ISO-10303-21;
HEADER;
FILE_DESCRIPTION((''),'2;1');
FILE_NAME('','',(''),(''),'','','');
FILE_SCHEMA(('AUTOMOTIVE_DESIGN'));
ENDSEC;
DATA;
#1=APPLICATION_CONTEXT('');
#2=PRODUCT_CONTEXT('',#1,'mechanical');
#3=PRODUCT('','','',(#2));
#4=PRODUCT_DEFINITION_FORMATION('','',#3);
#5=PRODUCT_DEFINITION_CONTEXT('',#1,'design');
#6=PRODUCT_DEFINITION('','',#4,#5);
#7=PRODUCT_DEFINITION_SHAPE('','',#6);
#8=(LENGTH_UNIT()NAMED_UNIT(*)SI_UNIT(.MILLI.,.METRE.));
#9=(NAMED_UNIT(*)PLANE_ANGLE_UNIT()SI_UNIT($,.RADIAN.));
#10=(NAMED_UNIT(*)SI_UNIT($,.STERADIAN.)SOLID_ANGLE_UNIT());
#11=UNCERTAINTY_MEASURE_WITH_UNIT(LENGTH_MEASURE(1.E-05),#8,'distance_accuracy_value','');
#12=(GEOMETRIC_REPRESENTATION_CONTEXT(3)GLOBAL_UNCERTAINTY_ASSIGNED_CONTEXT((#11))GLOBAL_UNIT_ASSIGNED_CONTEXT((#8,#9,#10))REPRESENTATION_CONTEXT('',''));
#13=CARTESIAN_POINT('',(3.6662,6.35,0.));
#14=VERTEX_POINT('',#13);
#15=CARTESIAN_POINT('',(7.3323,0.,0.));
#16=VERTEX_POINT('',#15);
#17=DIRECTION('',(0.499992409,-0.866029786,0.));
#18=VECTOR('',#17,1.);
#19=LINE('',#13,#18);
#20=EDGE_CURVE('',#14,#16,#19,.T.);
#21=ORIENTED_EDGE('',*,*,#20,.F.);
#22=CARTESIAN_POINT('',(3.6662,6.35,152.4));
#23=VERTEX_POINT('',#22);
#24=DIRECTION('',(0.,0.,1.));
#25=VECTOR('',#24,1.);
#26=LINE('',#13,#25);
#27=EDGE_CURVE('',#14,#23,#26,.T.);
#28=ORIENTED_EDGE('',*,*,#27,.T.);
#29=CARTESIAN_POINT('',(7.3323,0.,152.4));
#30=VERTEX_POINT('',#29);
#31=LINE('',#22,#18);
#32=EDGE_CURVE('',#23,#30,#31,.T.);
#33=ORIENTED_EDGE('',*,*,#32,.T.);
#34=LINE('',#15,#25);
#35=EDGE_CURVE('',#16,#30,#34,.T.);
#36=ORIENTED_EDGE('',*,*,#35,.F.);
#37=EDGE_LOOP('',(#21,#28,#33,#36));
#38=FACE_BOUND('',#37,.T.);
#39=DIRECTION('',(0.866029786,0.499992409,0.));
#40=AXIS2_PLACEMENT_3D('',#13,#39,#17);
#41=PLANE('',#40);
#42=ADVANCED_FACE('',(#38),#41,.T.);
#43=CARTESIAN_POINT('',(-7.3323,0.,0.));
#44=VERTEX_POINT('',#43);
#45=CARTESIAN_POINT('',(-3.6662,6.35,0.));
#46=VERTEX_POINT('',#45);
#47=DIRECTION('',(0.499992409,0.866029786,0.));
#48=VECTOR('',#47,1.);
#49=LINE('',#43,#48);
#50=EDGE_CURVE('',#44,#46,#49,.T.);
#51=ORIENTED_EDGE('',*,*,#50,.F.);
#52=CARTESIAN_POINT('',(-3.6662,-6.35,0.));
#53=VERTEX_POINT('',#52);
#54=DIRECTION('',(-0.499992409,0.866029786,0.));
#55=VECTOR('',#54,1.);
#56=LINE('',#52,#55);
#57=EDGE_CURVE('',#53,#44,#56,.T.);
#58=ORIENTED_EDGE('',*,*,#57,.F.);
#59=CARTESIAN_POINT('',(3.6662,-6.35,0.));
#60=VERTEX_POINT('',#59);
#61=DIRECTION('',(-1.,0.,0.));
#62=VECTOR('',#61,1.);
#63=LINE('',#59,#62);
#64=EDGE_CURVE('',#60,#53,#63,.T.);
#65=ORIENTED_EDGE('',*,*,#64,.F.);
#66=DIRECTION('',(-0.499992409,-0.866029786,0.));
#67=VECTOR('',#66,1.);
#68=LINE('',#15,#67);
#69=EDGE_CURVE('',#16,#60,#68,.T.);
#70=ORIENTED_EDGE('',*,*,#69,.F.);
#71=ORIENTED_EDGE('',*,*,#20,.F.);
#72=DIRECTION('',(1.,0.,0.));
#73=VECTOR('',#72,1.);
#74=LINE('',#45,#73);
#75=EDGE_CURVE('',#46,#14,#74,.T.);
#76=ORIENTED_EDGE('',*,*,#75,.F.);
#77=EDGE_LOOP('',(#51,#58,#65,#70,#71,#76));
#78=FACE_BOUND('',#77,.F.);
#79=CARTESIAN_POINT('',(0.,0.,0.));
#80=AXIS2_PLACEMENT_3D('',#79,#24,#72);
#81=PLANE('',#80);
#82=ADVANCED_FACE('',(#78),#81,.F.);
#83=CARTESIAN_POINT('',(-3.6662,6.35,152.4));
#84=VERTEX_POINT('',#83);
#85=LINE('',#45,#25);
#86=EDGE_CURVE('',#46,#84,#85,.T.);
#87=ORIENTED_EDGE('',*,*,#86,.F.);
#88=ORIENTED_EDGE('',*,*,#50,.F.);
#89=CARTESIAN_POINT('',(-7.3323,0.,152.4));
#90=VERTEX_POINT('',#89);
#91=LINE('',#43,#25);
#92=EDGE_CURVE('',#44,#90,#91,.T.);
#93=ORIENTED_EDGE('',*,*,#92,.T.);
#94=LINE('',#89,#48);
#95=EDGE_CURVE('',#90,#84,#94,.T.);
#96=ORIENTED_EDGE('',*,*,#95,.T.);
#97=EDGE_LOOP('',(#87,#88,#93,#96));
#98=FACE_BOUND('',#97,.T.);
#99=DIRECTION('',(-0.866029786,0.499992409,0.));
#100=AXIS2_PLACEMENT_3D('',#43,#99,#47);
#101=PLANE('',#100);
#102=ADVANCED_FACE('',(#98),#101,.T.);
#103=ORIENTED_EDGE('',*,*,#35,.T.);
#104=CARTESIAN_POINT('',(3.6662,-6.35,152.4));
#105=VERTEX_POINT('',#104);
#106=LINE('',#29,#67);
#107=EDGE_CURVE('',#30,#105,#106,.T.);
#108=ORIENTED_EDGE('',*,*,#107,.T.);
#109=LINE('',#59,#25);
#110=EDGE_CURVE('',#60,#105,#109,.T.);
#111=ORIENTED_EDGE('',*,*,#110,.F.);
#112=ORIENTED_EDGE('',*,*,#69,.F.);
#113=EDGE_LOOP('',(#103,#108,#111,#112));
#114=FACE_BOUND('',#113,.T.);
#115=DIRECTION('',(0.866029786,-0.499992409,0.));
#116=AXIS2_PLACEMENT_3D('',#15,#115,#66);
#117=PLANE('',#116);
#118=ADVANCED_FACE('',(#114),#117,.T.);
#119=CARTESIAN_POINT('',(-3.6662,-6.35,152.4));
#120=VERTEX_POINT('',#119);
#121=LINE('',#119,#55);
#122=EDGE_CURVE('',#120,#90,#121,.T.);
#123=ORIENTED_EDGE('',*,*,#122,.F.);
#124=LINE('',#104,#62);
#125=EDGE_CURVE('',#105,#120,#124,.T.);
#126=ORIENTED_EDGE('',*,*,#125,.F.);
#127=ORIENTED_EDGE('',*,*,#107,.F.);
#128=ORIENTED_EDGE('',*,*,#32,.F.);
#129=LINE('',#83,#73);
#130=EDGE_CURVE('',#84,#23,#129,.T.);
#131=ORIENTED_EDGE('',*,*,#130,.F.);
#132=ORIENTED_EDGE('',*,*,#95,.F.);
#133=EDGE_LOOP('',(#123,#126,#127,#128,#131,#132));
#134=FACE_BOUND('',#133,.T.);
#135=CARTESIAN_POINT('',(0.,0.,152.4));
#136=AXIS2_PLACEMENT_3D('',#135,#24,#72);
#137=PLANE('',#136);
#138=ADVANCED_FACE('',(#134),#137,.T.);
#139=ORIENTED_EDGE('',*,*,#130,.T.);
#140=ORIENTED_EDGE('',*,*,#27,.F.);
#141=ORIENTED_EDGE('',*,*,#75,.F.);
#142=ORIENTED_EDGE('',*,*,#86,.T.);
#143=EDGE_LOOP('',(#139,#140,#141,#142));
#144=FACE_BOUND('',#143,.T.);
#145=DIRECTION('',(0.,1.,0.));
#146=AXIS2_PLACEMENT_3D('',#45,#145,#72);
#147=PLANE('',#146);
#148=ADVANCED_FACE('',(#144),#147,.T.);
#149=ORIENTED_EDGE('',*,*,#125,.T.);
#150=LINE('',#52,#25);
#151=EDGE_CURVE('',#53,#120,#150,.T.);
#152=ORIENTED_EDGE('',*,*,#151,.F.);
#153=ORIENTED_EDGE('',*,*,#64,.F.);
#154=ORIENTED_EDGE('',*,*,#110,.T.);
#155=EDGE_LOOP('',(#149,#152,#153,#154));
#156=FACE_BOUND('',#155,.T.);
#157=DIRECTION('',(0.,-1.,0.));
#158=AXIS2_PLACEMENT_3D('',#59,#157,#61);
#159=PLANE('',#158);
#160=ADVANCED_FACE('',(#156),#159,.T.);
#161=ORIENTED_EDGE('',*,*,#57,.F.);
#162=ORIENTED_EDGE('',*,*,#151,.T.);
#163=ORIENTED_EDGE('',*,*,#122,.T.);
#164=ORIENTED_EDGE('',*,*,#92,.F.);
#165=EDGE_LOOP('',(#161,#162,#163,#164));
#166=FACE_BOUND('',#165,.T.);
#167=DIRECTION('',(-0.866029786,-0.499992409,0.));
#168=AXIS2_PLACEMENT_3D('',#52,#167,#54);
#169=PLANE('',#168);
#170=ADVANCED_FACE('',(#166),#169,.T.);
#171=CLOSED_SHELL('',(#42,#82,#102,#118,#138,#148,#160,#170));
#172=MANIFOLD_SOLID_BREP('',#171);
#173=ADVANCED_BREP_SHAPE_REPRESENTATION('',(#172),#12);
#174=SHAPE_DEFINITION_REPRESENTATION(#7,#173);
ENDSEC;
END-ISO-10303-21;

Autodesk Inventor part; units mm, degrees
ref_plane "YZ Plane" through (0, 0, 0) normal (1, 0, 0) x (0, 1, 0)
ref_plane "XZ Plane" through (0, 0, 0) normal (0, 1, 0) x (-1, 0, 0)
ref_plane "XY Plane" through (0, 0, 0) normal (0, 0, 1) x (1, 0, 0)
sketch "Sketch1" plane through (0, 0, 0) normal (0, 0, 1) x (1, 0, 0)
  line L0 (3.6662, 6.35) -> (7.3323, 0)
  line L1 (7.3323, 0) -> (3.6662, -6.35)
  line L2 (3.6662, -6.35) -> (-3.6662, -6.35)
  line L3 (-3.6662, -6.35) -> (-7.3323, 0)
  line L4 (-7.3323, 0) -> (-3.6662, 6.35)
  line L5 (-3.6662, 6.35) -> (3.6662, 6.35)
  point P0 (0, 0)
  point P1 (0, 0)
  dimension "d0" = 12.7
extrude "Extrusion1" add sketch "Sketch1" along normal blind 152.4
properties part number "hex rod 10 inch" material "Steel, Alloy"
